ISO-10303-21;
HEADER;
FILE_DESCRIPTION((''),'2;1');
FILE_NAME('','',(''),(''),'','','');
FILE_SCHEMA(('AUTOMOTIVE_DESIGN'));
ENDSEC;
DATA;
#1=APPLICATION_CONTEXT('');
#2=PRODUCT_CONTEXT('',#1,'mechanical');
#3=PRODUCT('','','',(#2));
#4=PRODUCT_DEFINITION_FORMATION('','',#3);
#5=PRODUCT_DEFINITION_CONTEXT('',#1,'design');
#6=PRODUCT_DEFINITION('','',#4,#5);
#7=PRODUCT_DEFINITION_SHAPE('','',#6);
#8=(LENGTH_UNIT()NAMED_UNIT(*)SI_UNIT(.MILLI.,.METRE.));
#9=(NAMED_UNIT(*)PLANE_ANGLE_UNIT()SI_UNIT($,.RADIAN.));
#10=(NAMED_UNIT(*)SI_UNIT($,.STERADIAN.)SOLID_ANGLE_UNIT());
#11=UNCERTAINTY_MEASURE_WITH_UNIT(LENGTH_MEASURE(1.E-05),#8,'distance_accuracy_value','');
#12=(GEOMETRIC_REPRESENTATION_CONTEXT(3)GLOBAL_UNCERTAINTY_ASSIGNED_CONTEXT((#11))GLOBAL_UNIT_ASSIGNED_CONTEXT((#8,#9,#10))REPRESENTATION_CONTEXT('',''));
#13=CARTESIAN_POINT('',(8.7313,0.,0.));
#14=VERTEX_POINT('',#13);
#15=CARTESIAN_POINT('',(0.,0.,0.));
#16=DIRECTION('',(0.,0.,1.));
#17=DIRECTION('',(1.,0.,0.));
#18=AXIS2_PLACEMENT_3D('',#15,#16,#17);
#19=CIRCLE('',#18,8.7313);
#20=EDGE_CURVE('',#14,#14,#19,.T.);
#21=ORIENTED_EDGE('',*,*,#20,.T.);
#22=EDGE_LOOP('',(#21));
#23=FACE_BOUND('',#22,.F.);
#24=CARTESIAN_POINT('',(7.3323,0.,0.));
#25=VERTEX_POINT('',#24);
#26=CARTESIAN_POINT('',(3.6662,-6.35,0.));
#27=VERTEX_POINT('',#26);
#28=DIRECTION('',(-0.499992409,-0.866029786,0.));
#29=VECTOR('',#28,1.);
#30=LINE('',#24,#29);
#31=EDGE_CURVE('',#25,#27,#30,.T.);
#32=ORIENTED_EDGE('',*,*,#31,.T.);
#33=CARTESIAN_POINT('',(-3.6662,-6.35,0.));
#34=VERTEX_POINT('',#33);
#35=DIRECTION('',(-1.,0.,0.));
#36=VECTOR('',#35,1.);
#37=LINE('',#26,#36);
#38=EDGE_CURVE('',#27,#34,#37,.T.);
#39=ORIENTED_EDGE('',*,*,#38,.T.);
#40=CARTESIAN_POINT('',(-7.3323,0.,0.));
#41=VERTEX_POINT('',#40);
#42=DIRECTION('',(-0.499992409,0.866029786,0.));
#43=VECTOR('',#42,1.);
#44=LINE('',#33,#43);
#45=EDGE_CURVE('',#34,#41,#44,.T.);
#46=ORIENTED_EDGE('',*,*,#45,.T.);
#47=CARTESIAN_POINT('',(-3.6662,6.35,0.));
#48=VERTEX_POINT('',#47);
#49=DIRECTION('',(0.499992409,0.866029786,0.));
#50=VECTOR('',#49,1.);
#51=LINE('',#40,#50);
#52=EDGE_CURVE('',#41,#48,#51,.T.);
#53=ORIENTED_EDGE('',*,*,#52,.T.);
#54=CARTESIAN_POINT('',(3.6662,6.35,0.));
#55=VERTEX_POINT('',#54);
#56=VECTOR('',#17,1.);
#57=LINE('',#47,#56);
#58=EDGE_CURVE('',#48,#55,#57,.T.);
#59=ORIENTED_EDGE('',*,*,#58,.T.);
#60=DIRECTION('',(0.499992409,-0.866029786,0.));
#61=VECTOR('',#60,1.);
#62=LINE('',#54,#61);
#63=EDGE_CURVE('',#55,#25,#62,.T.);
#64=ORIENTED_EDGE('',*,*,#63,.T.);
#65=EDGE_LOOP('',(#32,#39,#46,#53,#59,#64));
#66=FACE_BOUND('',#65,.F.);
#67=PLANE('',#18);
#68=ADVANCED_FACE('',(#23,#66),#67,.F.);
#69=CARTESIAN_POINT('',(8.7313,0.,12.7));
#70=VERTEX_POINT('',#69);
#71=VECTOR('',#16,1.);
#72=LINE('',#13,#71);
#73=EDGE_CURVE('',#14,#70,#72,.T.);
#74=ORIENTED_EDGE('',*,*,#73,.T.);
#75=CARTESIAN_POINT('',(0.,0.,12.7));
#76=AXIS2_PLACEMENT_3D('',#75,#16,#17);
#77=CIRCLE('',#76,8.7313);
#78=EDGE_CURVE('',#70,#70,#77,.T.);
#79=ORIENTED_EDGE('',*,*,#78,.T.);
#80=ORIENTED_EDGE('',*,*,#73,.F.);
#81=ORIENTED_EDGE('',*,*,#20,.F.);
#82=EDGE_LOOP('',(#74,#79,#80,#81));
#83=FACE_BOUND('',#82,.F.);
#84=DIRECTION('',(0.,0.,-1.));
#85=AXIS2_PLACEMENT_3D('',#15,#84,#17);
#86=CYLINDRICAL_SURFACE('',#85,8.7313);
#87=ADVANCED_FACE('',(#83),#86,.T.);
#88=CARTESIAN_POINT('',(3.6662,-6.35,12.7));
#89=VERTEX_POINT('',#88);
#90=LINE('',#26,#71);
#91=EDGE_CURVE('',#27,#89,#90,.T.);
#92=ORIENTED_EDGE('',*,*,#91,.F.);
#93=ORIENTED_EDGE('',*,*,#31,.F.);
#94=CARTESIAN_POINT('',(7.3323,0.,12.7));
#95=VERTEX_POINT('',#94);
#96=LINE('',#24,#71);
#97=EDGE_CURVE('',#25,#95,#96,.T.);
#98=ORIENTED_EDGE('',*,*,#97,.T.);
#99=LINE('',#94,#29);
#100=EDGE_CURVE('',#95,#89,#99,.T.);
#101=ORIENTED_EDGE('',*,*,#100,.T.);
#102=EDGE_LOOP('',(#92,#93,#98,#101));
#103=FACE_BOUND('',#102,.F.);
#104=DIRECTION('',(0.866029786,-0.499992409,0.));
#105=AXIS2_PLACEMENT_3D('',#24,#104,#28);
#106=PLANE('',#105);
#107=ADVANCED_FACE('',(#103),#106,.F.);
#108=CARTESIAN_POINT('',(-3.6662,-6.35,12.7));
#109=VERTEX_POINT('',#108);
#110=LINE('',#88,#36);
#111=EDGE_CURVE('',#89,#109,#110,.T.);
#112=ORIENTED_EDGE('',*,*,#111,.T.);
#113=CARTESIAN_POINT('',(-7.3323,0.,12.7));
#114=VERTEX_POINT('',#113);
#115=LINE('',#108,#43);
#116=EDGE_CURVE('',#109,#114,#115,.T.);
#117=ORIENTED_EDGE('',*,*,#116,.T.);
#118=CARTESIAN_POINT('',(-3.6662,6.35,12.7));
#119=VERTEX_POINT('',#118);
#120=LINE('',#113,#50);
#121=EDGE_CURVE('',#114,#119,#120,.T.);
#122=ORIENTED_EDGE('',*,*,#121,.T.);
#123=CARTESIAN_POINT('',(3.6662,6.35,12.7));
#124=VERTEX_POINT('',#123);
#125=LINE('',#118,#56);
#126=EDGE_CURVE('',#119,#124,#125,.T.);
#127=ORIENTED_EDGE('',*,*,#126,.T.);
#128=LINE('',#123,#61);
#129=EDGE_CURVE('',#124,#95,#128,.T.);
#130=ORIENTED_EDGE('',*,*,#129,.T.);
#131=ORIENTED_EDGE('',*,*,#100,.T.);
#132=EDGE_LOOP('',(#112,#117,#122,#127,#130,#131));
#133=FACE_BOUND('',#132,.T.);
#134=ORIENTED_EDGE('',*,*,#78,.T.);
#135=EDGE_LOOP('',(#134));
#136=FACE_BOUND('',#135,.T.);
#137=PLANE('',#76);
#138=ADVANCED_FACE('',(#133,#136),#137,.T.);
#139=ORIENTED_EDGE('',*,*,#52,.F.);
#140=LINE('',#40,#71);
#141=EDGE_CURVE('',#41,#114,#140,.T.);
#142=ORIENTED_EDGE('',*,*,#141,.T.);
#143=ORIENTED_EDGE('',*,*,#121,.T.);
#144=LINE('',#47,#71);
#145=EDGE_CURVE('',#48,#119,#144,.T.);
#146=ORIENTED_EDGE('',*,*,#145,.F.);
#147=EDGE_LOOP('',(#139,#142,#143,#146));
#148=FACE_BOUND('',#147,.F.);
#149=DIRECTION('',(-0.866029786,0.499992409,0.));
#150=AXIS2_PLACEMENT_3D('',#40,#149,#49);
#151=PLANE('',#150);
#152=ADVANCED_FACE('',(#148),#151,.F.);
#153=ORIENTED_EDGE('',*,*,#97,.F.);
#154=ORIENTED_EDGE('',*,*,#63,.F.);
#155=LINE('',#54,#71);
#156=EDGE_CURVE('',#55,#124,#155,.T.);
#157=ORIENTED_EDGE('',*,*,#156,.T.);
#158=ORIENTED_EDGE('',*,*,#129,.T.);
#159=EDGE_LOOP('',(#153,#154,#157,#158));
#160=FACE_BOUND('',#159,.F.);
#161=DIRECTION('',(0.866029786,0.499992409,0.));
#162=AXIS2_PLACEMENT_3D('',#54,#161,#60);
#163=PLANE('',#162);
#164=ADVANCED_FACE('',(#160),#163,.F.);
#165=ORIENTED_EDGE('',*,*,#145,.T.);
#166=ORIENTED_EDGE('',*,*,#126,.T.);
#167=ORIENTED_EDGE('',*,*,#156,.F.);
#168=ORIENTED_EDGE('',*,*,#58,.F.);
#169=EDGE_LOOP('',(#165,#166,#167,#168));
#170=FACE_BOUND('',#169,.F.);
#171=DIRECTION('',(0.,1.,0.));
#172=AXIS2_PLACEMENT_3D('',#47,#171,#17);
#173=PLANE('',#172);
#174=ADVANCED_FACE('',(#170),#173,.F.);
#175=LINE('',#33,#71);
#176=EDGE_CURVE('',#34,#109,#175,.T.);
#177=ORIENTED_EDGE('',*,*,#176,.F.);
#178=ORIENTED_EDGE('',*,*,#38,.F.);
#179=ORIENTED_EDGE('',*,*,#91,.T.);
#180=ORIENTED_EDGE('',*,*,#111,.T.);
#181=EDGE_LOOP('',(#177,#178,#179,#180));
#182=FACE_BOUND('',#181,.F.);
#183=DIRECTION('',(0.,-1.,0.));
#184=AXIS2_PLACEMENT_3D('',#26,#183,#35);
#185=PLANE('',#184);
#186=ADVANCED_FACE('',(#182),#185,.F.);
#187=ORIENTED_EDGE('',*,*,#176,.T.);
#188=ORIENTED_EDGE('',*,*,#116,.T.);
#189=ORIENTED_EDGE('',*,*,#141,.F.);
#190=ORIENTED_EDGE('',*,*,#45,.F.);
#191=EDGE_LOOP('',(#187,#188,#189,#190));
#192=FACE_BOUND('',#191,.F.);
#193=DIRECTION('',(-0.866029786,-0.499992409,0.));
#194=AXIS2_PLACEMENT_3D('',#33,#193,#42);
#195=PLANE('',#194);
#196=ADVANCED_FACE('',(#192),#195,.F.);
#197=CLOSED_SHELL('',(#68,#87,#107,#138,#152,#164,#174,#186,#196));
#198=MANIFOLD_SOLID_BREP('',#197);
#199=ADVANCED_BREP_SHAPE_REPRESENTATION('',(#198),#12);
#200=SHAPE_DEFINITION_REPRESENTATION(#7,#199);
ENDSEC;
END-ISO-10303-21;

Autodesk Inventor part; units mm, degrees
ref_plane "YZ Plane" through (0, 0, 0) normal (1, 0, 0) x (0, 1, 0)
ref_plane "XZ Plane" through (0, 0, 0) normal (0, 1, 0) x (-1, 0, 0)
ref_plane "XY Plane" through (0, 0, 0) normal (0, 0, 1) x (1, 0, 0)
sketch "Sketch1" plane through (0, 0, 0) normal (0, 0, 1) x (1, 0, 0)
  circle A0 centre (0, 0) radius 8.7313
  line L0 (-7.3323, 0) -> (-3.6662, 6.35)
  line L1 (-3.6662, 6.35) -> (3.6662, 6.35)
  line L2 (3.6662, 6.35) -> (7.3323, 0)
  line L3 (7.3323, 0) -> (3.6662, -6.35)
  line L4 (3.6662, -6.35) -> (-3.6662, -6.35)
  line L5 (-3.6662, -6.35) -> (-7.3323, 0)
  dimension "d0" = 17.4625
  dimension "d2" = 12.7
extrude "Extrusion1" add sketch "Sketch1" along normal blind 12.7
properties part number "Wheel - Spacer"
